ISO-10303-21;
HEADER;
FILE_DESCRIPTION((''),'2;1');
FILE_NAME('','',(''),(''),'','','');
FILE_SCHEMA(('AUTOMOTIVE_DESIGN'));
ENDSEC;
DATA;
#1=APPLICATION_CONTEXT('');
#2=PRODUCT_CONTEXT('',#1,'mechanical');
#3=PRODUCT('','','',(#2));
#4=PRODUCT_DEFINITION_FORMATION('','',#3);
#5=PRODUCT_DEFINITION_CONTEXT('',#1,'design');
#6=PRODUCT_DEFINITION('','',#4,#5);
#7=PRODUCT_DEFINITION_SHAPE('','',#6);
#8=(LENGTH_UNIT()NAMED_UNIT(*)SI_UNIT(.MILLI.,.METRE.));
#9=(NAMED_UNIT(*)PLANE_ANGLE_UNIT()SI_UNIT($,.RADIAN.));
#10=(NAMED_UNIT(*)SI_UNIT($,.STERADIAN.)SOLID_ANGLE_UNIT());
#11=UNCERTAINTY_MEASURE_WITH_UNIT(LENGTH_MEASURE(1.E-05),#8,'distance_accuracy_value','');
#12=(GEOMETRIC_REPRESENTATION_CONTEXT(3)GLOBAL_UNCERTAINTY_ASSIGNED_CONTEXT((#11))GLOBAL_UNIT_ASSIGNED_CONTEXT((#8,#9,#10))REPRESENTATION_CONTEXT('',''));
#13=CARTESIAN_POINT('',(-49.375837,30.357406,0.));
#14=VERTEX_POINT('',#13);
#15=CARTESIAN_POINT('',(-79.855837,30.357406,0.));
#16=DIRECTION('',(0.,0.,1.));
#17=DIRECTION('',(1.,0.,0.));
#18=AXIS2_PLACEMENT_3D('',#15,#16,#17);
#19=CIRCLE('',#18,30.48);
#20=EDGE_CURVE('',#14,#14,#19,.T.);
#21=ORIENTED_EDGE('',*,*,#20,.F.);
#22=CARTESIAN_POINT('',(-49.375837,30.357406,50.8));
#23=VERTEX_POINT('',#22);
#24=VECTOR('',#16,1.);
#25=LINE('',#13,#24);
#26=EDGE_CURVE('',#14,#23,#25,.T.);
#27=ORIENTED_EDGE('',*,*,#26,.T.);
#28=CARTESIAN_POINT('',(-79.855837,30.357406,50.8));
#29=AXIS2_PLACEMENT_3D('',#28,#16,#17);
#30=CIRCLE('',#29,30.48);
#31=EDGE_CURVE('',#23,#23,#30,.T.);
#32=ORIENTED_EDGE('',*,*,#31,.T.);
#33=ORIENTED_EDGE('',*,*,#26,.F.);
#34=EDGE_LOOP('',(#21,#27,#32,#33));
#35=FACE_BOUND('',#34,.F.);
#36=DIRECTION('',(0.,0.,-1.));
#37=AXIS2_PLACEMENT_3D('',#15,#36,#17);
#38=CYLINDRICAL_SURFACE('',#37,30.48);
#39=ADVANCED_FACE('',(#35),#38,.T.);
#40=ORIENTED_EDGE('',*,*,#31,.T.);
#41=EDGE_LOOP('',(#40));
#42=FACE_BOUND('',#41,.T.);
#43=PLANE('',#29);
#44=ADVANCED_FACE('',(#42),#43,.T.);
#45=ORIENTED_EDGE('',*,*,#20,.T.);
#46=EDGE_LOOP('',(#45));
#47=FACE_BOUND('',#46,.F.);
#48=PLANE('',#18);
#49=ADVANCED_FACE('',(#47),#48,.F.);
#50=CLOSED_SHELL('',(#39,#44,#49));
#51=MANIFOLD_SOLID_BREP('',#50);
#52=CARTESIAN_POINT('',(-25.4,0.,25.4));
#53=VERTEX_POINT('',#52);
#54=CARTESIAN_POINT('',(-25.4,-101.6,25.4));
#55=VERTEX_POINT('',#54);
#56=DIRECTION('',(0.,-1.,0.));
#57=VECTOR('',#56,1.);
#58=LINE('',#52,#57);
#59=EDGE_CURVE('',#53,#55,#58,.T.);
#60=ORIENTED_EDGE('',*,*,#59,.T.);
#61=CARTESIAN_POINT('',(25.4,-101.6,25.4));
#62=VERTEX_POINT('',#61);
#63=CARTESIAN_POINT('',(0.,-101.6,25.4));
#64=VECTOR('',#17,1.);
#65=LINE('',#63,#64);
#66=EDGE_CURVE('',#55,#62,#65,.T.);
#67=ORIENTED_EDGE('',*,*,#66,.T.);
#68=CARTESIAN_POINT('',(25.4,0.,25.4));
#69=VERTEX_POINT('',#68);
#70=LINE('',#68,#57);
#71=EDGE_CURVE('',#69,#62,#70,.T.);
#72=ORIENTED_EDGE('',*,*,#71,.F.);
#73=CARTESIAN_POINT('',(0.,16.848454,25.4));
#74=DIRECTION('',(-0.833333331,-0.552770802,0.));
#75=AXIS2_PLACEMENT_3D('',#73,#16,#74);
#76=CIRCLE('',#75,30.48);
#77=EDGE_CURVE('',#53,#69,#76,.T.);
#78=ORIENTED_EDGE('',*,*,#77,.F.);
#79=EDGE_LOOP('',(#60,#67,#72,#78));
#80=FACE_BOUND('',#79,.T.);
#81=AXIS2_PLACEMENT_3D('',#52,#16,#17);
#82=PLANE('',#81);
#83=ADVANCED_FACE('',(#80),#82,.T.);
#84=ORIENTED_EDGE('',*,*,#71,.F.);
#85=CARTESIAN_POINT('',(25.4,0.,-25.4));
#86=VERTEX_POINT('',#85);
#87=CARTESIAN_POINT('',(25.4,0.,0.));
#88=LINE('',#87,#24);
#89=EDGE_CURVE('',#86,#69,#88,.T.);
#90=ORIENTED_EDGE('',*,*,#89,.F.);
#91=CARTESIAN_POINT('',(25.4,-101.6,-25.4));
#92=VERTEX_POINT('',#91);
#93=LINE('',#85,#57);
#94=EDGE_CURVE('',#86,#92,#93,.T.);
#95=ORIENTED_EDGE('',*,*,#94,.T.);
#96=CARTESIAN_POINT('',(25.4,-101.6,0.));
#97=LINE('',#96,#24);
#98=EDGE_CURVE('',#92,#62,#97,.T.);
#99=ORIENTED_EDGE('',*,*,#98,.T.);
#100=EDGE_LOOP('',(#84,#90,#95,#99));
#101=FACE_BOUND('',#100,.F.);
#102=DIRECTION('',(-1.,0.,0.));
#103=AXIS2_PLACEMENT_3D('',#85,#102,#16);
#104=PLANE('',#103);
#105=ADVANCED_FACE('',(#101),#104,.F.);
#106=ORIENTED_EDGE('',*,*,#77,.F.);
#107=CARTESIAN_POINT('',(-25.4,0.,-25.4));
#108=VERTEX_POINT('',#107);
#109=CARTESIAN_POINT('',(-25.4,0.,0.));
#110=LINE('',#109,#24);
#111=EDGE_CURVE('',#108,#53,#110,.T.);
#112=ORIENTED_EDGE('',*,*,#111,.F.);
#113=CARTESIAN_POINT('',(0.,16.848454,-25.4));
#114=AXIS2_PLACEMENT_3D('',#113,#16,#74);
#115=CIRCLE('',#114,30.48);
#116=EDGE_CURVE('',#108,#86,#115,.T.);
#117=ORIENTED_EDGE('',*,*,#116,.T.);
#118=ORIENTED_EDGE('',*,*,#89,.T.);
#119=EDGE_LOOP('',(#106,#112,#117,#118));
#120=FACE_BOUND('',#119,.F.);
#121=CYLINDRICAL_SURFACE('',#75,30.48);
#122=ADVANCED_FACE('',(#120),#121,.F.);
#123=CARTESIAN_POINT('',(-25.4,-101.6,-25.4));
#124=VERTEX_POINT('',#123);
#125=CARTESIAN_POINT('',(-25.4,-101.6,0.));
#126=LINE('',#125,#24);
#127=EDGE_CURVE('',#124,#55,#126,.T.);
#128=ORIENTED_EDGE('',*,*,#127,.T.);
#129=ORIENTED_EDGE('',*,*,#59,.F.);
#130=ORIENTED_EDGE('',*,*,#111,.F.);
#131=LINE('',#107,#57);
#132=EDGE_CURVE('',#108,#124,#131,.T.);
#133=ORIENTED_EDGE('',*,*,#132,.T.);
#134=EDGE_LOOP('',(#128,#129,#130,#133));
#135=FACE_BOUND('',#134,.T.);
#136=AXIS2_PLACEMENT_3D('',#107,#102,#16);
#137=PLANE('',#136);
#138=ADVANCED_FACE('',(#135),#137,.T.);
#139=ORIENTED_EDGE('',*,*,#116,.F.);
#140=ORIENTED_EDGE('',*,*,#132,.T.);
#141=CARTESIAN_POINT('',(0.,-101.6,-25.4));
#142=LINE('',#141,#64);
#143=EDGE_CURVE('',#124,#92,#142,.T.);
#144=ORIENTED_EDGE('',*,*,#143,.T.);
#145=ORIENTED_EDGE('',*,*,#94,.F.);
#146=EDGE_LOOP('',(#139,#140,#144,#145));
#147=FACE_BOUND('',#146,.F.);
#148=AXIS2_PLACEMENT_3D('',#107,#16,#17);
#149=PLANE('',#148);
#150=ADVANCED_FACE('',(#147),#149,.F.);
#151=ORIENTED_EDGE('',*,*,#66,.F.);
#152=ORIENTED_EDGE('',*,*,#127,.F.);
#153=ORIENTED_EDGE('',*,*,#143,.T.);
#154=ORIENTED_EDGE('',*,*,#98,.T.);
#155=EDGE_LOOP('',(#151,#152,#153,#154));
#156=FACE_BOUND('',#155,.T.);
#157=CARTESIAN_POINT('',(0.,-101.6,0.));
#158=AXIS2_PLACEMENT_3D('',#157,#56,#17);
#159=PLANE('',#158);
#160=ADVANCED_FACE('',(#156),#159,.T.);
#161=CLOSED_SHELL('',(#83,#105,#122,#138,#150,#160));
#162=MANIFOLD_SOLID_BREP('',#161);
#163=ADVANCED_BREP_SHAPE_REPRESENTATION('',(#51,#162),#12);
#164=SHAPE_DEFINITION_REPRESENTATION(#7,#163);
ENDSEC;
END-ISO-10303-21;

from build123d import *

# Parameters (mm, degrees)
F0_W     = 50.8
F0_H     = 50.8
F1_DEPTH = 101.6
F3_DEPTH = 50.801
F4_R     = 30.48
F5_DEPTH = 50.8


with BuildPart() as f1:
    # F0 (on Front) → F1 (new body)
    with BuildSketch(Plane.XZ):
        Rectangle(F0_W, F0_H)
    extrude(amount=F1_DEPTH)

    # F2 (on face) → F3 (cut, through all)
    with BuildSketch(Plane.XY.offset(25.4)):
        with BuildLine():
            Line((25.4, 0), (-25.4, 0))
            ThreePointArc((-25.4, 0), (0, -13.631546), (25.4, 0))
        make_face()
    extrude(amount=-F3_DEPTH, mode=Mode.SUBTRACT)


with BuildPart() as f5:
    # F4 (on Top) → F5 (new body)
    with BuildSketch(Plane.XY):
        with Locations((-79.855837, 30.357406)):
            Circle(F4_R)
    extrude(amount=F5_DEPTH)


solid = Compound([f1.part, f5.part])
